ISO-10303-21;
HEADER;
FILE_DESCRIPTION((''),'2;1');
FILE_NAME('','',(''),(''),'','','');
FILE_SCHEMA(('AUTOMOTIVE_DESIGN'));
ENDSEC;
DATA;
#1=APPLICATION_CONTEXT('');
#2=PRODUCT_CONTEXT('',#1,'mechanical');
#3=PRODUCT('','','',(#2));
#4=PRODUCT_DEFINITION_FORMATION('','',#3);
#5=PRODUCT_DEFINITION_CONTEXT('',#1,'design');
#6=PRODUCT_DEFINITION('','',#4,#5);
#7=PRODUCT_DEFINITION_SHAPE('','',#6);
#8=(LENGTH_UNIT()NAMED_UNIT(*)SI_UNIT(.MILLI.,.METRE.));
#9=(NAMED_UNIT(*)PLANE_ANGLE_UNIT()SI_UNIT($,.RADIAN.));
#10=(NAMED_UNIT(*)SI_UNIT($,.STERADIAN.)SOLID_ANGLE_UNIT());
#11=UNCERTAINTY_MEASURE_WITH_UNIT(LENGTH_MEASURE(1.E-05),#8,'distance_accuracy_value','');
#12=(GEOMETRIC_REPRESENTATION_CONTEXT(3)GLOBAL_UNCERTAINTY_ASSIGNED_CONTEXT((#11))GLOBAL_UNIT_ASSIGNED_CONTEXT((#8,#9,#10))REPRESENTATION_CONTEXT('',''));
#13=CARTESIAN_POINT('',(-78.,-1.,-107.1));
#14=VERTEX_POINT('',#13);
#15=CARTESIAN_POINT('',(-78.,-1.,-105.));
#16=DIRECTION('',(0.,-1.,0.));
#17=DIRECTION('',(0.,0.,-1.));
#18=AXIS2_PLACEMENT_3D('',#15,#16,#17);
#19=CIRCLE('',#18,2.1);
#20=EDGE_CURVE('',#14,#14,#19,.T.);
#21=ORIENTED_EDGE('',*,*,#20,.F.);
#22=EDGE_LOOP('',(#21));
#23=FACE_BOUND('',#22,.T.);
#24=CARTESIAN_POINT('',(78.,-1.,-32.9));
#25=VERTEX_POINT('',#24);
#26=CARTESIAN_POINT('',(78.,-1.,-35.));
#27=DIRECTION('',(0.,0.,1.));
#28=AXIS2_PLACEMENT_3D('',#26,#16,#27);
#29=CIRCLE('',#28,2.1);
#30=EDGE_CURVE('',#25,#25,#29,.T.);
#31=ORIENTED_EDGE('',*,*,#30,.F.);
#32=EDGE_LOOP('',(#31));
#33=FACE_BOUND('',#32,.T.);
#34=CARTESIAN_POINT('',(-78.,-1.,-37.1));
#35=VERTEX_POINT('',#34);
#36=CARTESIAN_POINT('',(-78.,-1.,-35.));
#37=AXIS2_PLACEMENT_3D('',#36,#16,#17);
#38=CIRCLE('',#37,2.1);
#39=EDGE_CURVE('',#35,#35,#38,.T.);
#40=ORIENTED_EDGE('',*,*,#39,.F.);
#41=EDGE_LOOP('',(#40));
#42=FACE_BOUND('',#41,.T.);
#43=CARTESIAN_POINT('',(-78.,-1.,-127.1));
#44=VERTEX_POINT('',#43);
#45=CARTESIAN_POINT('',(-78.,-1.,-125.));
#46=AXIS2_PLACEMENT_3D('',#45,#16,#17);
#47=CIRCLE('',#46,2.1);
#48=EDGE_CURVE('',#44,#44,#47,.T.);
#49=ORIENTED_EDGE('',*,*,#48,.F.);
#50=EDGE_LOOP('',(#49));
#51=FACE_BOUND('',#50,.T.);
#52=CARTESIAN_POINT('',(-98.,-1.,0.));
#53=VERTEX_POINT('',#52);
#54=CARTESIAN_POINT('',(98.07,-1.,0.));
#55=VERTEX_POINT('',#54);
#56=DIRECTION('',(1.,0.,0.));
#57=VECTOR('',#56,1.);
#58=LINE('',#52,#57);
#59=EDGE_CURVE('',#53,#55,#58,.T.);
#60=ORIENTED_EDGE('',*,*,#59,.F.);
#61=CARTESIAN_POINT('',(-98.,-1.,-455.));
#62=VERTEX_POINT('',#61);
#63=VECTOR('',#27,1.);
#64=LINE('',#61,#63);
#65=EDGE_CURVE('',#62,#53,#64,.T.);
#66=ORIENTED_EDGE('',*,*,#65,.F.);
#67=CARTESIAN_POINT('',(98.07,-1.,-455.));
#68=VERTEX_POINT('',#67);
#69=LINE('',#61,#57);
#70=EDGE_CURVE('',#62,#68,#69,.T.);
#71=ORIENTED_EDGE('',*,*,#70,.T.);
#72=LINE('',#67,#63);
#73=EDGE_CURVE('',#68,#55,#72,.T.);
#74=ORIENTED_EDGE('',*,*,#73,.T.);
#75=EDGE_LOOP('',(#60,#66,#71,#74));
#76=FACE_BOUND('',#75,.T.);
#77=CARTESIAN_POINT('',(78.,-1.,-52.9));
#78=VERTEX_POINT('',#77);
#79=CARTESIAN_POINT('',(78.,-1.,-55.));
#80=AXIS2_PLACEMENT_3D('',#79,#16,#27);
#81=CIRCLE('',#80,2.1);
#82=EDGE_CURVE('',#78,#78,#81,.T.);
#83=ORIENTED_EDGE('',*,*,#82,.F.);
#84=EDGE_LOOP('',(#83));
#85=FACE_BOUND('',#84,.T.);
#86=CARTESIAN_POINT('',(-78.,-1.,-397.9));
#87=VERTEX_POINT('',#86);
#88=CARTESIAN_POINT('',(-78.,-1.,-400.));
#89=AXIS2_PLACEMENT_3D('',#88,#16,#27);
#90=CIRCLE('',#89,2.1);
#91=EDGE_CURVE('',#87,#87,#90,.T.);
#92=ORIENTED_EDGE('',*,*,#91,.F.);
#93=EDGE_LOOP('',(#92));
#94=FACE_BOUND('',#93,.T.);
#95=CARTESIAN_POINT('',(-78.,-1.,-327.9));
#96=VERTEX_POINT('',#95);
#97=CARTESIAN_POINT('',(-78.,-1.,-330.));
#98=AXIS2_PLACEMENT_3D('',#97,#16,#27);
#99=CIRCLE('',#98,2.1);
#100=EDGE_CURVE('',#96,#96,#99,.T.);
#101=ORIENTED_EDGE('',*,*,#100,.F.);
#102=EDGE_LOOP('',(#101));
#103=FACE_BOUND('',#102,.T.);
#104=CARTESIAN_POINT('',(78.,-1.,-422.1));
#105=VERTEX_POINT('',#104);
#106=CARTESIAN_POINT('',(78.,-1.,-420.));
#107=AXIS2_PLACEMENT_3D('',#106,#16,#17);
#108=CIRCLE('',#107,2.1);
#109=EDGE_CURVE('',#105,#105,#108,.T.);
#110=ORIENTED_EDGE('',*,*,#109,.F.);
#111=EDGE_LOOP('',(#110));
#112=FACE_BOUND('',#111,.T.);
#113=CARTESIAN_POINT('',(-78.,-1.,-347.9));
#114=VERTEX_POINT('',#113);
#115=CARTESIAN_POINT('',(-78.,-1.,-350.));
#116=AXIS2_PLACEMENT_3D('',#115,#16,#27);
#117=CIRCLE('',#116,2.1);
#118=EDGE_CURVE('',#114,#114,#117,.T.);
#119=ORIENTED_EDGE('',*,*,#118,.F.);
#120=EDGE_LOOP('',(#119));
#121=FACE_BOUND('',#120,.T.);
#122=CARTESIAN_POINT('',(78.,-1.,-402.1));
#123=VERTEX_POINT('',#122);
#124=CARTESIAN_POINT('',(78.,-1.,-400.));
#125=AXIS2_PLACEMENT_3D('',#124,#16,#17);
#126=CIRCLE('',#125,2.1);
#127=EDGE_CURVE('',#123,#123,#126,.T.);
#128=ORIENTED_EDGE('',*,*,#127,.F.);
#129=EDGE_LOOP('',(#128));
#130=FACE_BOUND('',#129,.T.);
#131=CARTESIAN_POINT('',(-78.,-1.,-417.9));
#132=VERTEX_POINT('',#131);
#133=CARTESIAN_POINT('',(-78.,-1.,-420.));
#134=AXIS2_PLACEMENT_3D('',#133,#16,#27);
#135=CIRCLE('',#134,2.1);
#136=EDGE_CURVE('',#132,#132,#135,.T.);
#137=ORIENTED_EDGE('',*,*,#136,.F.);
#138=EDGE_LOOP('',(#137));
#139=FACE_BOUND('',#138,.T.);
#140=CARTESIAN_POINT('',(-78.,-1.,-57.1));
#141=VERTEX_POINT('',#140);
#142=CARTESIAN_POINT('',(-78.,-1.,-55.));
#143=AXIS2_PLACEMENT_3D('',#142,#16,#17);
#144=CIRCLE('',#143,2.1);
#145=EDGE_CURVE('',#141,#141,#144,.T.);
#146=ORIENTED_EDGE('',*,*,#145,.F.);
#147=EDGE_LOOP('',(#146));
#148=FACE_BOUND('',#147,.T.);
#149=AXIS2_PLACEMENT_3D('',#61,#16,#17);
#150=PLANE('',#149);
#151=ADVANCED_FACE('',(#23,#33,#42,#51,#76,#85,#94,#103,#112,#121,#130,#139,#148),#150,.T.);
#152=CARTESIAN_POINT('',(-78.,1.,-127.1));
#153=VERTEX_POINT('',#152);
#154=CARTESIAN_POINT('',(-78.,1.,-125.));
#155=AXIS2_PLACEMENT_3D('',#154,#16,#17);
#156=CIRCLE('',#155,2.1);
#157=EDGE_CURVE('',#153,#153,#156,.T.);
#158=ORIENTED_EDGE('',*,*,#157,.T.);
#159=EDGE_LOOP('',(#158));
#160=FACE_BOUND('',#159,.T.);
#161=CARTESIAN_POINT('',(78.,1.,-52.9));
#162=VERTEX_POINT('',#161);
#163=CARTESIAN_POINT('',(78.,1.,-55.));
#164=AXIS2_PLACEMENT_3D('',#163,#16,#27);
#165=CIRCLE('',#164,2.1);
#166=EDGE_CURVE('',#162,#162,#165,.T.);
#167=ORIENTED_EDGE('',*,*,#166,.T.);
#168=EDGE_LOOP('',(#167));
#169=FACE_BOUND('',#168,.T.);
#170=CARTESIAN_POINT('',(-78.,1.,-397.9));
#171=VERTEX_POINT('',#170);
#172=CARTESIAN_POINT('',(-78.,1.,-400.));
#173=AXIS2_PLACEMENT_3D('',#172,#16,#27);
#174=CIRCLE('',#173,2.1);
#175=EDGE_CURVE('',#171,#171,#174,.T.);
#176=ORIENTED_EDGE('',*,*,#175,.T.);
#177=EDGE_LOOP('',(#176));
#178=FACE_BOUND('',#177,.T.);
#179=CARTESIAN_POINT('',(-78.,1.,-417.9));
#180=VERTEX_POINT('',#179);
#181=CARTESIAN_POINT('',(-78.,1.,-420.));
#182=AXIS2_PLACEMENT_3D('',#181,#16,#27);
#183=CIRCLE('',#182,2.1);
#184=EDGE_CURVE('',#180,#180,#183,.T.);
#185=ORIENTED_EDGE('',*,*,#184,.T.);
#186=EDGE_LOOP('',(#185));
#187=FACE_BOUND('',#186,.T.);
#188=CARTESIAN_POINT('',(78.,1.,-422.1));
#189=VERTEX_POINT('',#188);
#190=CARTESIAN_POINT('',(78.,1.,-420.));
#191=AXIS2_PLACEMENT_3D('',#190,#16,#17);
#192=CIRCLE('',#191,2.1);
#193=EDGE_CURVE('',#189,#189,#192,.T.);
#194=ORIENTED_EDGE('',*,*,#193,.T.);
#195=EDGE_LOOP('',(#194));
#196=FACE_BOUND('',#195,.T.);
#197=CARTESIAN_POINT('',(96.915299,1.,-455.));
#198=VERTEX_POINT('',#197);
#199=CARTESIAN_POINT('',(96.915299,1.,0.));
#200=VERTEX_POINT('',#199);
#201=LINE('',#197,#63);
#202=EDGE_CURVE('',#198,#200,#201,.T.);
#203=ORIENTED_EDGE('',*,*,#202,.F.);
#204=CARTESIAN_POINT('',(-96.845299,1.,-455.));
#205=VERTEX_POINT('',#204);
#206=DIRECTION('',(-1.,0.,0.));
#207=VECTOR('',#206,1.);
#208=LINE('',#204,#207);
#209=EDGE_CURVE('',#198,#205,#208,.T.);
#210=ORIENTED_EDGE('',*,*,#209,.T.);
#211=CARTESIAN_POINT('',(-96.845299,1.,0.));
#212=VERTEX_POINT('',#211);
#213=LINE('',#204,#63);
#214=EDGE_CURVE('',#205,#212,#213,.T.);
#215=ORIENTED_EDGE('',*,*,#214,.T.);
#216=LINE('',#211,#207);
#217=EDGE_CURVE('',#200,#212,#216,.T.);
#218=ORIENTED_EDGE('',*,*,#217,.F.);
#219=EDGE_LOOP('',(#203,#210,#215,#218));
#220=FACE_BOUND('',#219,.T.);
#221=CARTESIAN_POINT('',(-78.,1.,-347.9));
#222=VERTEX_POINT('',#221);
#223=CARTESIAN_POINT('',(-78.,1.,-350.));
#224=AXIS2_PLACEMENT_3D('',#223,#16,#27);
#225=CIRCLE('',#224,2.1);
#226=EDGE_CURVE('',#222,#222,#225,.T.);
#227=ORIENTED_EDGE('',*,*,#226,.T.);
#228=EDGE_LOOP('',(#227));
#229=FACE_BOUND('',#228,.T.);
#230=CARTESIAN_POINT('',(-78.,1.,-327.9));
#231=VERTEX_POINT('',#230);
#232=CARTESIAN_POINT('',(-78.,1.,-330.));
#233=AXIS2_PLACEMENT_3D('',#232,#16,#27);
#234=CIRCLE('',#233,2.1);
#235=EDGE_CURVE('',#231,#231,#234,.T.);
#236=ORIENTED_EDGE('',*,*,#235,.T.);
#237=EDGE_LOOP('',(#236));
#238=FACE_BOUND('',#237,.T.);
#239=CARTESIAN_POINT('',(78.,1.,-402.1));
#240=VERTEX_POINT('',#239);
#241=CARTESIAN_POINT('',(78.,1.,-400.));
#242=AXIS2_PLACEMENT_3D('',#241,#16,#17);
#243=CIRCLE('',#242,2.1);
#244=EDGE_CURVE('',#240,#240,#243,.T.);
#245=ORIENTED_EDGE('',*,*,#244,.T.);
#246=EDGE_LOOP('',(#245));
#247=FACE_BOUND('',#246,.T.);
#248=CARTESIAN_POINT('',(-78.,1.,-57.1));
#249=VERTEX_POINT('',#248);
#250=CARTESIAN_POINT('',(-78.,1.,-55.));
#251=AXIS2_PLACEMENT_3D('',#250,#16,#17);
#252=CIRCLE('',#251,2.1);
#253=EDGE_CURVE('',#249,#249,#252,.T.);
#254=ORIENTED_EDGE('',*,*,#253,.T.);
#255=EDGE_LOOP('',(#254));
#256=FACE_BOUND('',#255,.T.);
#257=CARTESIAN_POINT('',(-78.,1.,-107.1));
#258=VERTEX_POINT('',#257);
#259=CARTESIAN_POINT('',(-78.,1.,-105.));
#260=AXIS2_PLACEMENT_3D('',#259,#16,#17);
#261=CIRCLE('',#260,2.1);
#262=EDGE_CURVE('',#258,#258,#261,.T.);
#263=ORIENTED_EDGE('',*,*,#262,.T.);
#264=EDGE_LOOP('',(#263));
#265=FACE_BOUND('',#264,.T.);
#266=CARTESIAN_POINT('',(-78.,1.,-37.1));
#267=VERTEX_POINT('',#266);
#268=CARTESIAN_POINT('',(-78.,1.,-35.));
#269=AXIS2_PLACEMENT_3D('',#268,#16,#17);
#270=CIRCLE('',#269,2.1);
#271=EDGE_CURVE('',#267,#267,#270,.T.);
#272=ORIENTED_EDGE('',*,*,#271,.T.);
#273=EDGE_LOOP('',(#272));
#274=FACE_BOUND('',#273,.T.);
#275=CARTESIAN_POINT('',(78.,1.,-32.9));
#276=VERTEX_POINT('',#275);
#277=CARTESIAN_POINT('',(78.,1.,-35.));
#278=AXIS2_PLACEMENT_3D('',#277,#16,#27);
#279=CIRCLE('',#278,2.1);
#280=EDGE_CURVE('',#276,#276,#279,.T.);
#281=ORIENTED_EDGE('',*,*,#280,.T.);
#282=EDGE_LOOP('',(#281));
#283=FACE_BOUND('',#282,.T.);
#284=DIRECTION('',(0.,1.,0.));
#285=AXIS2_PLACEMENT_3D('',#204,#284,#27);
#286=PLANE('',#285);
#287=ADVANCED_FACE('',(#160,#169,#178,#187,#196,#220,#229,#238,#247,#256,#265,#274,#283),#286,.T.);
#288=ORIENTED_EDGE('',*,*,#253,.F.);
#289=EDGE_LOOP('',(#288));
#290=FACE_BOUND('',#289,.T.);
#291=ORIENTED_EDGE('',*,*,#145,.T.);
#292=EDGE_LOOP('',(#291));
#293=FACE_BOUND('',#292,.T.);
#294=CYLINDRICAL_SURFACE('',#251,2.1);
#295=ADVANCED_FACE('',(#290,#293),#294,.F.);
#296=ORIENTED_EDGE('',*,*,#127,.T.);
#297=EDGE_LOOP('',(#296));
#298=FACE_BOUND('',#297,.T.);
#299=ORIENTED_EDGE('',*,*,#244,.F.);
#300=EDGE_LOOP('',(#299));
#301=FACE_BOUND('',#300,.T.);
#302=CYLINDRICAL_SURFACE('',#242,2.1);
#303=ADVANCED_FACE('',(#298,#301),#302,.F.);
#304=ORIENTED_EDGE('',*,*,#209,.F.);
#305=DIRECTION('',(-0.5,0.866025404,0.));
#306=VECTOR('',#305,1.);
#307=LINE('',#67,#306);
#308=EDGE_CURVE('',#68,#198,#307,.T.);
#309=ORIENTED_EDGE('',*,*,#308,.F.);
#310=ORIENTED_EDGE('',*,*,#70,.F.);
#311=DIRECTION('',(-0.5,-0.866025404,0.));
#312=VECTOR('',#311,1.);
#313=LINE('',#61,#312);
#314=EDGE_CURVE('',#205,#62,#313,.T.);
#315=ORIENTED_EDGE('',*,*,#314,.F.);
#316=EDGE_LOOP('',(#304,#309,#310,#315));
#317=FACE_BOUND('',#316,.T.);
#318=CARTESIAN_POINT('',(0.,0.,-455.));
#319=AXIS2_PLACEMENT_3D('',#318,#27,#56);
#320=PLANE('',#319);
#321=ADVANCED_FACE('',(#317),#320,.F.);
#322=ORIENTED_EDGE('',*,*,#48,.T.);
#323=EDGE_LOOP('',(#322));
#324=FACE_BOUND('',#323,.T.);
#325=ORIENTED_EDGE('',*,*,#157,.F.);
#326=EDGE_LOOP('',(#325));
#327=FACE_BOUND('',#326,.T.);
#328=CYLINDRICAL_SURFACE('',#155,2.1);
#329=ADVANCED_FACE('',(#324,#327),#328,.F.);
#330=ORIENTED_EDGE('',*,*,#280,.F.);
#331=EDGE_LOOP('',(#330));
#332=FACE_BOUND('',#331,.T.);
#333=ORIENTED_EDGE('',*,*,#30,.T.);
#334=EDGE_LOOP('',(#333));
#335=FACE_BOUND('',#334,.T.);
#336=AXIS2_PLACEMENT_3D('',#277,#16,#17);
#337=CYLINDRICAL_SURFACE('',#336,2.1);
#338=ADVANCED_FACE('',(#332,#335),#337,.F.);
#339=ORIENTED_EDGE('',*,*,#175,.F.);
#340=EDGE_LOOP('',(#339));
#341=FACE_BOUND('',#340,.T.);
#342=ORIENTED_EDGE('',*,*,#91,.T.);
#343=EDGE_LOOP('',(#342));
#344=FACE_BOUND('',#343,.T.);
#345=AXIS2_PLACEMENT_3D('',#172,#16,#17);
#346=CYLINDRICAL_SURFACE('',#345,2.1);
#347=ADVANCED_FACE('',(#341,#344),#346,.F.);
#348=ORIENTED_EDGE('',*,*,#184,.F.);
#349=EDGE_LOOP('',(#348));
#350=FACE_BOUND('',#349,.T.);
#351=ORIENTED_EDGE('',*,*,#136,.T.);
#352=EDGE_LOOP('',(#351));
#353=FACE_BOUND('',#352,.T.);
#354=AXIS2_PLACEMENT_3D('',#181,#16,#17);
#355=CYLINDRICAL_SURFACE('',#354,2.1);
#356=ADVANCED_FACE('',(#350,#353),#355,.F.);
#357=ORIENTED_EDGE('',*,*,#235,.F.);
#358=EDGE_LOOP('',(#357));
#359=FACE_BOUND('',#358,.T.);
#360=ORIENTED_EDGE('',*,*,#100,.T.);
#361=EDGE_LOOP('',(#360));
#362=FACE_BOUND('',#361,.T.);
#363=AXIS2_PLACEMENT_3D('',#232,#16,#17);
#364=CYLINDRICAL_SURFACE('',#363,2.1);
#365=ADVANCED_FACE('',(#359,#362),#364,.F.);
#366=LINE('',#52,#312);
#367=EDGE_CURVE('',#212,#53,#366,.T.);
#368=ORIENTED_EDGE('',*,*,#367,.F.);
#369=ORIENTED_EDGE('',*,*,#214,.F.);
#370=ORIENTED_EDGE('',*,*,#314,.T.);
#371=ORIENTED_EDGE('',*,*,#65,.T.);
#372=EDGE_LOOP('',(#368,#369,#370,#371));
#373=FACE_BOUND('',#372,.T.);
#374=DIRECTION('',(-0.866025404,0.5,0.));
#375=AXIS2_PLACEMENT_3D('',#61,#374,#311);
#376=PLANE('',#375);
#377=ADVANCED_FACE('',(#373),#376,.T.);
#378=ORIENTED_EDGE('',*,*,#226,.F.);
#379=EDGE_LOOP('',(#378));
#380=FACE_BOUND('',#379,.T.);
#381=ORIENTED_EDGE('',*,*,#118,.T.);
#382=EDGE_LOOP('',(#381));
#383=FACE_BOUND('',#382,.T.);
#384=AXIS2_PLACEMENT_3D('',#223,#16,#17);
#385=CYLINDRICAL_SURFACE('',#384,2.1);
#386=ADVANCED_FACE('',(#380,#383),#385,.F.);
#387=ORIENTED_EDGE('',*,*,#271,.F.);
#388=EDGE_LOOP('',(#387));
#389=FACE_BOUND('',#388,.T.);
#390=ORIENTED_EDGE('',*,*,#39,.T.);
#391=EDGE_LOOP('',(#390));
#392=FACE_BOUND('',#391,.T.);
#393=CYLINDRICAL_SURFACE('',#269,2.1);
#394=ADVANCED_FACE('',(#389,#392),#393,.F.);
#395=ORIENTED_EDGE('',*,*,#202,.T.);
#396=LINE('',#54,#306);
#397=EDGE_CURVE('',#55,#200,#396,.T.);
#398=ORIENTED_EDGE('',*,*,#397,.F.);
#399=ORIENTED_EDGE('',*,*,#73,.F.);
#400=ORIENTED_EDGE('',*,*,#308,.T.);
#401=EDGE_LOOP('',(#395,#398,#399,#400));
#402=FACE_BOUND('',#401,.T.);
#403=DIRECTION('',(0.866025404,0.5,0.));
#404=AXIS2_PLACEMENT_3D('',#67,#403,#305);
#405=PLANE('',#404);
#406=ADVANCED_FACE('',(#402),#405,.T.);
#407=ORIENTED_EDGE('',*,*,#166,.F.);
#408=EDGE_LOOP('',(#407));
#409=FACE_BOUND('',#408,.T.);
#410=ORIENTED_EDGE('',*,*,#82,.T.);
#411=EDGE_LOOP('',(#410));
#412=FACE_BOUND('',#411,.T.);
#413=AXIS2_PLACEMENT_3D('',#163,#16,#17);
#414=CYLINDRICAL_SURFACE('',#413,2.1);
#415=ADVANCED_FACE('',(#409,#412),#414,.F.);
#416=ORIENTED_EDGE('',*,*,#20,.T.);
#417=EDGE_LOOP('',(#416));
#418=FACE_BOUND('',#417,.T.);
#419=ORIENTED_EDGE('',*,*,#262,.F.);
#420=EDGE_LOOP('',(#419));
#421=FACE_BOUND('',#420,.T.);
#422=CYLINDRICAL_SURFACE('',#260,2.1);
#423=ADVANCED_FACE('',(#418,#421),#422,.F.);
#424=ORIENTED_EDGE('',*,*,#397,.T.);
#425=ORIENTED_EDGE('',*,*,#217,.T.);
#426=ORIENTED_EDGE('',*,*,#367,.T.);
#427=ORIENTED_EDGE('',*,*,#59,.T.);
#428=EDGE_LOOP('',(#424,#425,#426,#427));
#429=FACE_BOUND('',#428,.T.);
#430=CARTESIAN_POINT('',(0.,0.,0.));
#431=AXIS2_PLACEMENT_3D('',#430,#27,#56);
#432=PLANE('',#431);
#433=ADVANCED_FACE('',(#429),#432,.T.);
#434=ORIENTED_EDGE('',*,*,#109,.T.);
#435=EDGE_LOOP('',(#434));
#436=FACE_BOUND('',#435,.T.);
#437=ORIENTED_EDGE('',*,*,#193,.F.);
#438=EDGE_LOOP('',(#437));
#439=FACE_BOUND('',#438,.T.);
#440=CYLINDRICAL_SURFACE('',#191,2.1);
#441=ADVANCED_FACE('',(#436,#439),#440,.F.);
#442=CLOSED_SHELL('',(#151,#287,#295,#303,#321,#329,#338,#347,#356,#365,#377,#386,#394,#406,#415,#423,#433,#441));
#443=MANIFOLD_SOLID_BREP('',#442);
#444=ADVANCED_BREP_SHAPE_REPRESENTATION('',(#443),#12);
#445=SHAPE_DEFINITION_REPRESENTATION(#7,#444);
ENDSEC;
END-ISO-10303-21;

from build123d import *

# Parameters (mm, degrees)
EXTRUDE_1_DEPTH     = 455
SKETCH_3_R          = 2.1
CUT_EXTRUDE_1_DEPTH = 466.453246739


with BuildPart() as part:
    # 草图2 → 凸台-拉伸1 (new body)
    with BuildSketch(Plane.XY):
        Polygon((-98, -1), (-96.845299462, 1), (96.915299462, 1), (98.07, -1), align=None)
    extrude(amount=-EXTRUDE_1_DEPTH)

    # 草图3 → 切除-拉伸1 (cut, through all)
    with BuildSketch(Plane(origin=(0, -1, 0), x_dir=(-1, 0, 0), z_dir=(0, -1, 0))):
        with Locations(Location((78, 35, 0), (0, 0, 90))):
            Circle(SKETCH_3_R)
        with Locations(Location((78, 55, 0), (0, 0, 90))):
            Circle(SKETCH_3_R)
        with Locations(Location((-78, 55, 0), (0, 0, 270))):
            Circle(SKETCH_3_R)
        with Locations(Location((-78, 35, 0), (0, 0, 270))):
            Circle(SKETCH_3_R)
        with Locations(Location((-78, 420, 0), (0, 0, 90))):
            Circle(SKETCH_3_R)
        with Locations(Location((-78, 400, 0), (0, 0, 90))):
            Circle(SKETCH_3_R)
        with Locations(Location((78, 400, 0), (0, 0, 270))):
            Circle(SKETCH_3_R)
        with Locations(Location((78, 420, 0), (0, 0, 270))):
            Circle(SKETCH_3_R)
        with Locations(Location((78, 105, 0), (0, 0, 90))):
            Circle(SKETCH_3_R)
        with Locations(Location((78, 125, 0), (0, 0, 90))):
            Circle(SKETCH_3_R)
        with Locations(Location((78, 350, 0), (0, 0, 270))):
            Circle(SKETCH_3_R)
        with Locations(Location((78, 330, 0), (0, 0, 270))):
            Circle(SKETCH_3_R)
    extrude(amount=-CUT_EXTRUDE_1_DEPTH, mode=Mode.SUBTRACT)


solid = part.part
